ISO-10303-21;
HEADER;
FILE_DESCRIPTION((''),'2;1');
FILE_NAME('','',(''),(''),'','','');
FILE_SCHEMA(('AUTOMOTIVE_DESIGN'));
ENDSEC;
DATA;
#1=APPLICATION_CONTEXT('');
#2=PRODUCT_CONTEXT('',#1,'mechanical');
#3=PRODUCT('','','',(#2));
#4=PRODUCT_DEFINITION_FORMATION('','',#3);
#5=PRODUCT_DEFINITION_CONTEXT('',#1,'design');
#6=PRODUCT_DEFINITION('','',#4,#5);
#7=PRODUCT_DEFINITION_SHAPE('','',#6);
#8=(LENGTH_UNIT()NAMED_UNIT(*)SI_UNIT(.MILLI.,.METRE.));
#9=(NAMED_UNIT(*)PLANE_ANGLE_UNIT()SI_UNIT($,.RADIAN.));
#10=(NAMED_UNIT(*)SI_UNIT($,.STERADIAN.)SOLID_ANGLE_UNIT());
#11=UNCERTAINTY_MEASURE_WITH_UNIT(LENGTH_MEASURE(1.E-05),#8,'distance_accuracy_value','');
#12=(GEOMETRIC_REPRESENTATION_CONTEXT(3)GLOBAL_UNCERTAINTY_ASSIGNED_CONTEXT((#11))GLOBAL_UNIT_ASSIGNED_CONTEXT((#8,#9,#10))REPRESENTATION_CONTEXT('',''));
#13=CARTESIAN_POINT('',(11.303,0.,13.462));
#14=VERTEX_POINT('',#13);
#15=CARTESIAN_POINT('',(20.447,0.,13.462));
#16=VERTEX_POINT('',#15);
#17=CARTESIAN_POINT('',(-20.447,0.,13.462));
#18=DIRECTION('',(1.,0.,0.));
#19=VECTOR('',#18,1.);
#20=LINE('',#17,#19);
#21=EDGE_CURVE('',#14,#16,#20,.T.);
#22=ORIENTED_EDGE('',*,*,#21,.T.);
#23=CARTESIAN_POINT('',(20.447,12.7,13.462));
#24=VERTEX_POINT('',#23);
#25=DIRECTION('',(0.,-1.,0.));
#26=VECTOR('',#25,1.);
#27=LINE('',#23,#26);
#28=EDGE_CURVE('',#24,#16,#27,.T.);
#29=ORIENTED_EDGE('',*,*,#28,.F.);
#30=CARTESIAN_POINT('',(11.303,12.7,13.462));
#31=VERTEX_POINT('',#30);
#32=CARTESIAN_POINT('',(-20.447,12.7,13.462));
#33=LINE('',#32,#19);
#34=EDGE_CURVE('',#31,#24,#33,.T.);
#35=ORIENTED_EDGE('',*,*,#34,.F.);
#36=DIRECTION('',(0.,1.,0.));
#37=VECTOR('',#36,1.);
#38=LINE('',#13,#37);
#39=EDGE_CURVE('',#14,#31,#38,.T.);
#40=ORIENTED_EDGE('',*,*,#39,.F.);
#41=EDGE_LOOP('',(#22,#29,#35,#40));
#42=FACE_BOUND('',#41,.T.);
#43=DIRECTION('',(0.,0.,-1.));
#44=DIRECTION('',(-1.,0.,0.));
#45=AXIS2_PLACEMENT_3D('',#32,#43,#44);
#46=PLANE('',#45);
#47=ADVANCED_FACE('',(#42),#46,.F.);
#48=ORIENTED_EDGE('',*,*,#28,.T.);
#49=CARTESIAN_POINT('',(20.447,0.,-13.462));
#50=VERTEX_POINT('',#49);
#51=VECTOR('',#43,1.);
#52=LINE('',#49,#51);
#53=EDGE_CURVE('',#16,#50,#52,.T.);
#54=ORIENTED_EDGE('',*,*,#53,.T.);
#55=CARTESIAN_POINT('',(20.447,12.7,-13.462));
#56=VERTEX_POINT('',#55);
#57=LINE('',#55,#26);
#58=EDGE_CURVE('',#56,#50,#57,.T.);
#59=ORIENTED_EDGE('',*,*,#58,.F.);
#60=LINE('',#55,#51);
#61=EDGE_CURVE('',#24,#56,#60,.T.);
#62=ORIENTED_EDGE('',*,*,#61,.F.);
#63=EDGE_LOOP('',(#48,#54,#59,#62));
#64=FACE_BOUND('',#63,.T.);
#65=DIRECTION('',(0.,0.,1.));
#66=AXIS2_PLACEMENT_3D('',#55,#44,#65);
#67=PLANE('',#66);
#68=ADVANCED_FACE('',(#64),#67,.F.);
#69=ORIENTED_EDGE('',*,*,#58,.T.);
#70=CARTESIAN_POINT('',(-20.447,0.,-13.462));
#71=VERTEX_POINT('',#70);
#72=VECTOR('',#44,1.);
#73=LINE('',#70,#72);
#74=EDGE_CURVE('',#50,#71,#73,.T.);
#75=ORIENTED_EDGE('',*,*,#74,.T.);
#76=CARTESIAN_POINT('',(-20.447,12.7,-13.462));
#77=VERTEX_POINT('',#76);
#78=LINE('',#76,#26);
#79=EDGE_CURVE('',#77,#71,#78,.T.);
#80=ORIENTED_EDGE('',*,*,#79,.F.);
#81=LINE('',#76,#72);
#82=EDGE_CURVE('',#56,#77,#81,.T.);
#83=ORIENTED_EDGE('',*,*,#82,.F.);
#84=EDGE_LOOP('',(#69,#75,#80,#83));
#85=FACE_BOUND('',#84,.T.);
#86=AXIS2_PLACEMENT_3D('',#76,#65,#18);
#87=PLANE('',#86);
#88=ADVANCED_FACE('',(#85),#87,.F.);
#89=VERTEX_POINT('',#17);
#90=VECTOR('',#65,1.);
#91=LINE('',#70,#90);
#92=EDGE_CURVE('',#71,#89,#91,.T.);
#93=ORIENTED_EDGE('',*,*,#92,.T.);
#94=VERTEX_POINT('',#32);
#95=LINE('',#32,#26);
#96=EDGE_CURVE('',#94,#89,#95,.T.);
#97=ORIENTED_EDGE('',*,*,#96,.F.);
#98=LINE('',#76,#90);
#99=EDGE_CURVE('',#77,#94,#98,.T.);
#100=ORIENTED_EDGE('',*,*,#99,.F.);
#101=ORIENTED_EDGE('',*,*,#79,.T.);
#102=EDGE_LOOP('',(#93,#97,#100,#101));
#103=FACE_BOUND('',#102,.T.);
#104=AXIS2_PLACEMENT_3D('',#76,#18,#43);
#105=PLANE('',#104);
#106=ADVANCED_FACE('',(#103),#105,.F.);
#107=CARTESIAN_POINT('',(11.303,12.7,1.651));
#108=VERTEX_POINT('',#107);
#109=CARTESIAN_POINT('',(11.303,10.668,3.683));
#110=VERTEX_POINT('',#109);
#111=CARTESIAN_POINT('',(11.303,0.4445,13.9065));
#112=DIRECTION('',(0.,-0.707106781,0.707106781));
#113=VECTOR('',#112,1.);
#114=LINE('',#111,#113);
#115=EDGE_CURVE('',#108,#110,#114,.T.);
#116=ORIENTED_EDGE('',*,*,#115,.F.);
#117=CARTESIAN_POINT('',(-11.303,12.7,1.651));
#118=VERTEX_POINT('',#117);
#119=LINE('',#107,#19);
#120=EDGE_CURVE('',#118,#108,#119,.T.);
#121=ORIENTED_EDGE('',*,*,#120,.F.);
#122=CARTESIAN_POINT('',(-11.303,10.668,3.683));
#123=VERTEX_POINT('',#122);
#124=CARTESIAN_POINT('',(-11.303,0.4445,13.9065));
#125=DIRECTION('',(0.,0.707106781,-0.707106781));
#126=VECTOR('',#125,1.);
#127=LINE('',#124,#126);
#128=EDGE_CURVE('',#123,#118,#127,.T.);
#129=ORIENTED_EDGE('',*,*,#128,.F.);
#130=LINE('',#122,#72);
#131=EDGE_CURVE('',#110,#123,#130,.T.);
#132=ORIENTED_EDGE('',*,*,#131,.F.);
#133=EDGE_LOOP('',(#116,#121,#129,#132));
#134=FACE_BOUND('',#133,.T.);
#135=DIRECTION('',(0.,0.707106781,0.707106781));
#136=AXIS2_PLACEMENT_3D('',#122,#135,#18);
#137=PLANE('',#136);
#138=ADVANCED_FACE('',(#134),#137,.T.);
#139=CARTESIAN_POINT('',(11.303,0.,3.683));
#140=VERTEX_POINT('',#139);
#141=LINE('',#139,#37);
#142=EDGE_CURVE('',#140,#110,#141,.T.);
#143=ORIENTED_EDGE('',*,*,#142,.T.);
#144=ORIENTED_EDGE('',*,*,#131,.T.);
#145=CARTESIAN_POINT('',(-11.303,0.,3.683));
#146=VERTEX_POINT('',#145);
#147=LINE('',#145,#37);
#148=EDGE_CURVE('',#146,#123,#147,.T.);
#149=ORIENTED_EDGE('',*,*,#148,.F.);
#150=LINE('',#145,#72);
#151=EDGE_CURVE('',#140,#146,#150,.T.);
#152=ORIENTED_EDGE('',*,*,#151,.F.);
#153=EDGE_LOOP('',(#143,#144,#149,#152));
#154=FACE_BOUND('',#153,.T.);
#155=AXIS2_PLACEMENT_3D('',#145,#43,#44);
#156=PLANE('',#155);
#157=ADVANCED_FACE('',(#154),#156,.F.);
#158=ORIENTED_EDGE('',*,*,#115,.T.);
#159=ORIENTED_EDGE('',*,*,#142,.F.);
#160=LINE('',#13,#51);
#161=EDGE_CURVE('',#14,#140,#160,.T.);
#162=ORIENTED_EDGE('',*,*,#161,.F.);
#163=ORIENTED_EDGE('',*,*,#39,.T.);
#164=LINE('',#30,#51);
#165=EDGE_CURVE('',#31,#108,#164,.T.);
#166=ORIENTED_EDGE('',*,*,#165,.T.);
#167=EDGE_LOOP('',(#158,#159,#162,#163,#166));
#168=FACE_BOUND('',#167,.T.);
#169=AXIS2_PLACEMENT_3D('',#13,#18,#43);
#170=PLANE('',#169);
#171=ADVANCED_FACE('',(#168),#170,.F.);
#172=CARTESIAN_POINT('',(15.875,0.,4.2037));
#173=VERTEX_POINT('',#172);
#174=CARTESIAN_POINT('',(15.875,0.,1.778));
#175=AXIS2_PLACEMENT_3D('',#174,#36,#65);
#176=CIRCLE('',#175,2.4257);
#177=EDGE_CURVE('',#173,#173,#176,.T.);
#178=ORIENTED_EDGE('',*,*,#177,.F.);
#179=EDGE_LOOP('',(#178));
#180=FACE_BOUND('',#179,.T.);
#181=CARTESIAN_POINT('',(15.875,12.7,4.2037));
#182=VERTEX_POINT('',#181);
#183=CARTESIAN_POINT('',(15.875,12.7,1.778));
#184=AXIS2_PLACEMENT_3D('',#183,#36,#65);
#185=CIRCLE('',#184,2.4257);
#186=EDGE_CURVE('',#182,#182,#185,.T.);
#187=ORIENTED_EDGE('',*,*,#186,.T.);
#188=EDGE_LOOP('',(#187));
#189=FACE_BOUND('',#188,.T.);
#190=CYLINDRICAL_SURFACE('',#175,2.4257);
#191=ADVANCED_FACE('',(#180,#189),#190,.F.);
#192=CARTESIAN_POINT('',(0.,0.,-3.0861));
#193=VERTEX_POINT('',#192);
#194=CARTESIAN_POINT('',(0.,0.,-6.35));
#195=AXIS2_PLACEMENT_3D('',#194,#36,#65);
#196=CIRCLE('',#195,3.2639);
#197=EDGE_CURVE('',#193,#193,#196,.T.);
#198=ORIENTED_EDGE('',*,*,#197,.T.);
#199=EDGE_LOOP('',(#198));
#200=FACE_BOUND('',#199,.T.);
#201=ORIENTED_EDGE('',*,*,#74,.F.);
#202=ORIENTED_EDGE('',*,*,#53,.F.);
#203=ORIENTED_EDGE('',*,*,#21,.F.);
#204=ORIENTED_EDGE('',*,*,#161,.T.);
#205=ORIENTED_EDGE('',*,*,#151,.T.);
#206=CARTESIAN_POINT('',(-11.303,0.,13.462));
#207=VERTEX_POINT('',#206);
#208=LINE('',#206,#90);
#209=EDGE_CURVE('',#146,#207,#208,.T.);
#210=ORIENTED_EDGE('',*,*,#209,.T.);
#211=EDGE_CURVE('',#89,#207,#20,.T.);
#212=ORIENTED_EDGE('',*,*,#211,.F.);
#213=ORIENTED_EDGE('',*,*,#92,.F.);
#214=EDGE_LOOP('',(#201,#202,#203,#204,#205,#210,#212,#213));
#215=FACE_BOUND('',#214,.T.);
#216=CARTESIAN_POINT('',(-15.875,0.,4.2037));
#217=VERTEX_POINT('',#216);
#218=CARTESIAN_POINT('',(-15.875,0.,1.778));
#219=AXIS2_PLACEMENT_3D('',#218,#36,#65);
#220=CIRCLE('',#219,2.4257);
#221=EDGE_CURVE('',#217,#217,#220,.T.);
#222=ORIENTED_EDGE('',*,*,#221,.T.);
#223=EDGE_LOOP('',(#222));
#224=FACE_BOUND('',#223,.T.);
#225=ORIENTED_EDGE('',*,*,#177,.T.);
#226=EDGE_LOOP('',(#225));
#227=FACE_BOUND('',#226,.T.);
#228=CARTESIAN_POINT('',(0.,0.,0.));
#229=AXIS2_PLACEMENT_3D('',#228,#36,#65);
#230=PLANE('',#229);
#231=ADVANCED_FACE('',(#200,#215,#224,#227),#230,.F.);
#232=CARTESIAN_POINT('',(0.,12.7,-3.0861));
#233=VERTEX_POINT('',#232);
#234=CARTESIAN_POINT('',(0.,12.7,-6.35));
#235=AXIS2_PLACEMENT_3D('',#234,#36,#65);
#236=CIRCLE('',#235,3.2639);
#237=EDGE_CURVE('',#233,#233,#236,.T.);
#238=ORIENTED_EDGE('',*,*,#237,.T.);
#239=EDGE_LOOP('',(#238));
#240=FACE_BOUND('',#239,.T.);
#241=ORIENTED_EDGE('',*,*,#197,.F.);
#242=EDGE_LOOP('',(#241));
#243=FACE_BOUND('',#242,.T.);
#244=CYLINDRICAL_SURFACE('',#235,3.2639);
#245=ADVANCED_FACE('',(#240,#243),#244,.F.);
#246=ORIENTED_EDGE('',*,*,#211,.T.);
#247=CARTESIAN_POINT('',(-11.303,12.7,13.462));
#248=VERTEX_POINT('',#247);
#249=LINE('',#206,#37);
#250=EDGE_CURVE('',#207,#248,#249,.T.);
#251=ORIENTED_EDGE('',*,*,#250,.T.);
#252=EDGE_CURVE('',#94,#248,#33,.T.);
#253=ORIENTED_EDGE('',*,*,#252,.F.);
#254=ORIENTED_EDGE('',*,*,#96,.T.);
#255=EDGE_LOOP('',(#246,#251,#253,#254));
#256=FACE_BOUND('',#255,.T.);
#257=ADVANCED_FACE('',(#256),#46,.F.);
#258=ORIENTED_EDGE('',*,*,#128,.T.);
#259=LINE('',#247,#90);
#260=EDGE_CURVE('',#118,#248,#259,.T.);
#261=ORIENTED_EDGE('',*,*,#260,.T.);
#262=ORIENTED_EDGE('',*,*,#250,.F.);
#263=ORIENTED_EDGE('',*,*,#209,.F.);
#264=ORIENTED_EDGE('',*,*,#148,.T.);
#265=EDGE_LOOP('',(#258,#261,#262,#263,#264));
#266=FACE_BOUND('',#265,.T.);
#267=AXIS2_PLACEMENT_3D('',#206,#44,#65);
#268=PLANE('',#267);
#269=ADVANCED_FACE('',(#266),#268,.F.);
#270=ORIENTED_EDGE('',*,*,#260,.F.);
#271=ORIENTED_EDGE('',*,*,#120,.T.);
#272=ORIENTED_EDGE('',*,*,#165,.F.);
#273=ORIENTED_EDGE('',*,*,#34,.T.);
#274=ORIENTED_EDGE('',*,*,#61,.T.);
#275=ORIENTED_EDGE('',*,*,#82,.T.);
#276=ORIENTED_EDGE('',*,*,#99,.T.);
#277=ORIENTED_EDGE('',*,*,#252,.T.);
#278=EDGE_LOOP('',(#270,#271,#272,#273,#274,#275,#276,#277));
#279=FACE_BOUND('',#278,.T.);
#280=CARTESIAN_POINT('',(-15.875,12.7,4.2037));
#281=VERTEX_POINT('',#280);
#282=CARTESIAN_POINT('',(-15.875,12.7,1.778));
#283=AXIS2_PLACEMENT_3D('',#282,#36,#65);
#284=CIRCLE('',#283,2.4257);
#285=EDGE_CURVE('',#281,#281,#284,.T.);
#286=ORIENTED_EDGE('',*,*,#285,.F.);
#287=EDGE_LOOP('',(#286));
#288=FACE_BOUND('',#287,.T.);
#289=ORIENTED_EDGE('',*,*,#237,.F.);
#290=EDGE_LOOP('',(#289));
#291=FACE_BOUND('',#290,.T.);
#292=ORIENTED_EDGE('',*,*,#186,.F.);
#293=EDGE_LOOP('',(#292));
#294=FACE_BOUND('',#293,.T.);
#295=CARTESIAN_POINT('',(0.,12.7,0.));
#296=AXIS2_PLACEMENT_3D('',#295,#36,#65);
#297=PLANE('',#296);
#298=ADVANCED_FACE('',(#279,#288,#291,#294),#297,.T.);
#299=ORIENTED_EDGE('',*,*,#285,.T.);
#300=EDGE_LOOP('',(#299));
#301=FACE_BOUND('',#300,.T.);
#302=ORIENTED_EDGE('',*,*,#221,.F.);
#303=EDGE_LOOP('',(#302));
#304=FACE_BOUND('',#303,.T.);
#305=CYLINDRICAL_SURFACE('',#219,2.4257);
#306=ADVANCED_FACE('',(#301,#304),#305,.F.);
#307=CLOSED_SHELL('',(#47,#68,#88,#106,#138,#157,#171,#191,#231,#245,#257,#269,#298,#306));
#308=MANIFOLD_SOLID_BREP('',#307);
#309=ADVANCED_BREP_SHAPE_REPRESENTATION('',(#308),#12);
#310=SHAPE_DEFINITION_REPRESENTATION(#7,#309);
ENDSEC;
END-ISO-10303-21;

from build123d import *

# Parameters (mm, degrees)
CROQUIS2_W                 = 40.894
CROQUIS2_H                 = 26.924
SALIENTE_EXTRUIR1_DEPTH    = 12.7
CROQUIS3_W                 = 22.606
CROQUIS3_H                 = 9.779
CORTAR_EXTRUIR1_DEPTH      = 12.7
CROQUIS6_R                 = 2.4257
CORTAR_EXTRUIR2_DEPTH      = 12.7
TALADRO_ROSCADO_5_16_181_D = 6.5278
CHAFL_N1_SIZE              = 2.032


with BuildPart() as part:
    # Croquis2 → Saliente-Extruir1 (new body)
    with BuildSketch(Plane(origin=(0, 0, 0), x_dir=(1, 0, 0), z_dir=(0, 1, 0))):
        Rectangle(CROQUIS2_W, CROQUIS2_H)
    extrude(amount=SALIENTE_EXTRUIR1_DEPTH)

    # Croquis3 → Cortar-Extruir1 (cut)
    with BuildSketch(Plane(origin=(0, 12.7, 0), x_dir=(1, 0, 0), z_dir=(0, 1, 0))):
        with Locations((0, -8.5725)):
            Rectangle(CROQUIS3_W, CROQUIS3_H)
    extrude(amount=-CORTAR_EXTRUIR1_DEPTH, mode=Mode.SUBTRACT)

    # Croquis6 → Cortar-Extruir2 (cut)
    with BuildSketch(Plane(origin=(0, 12.7, 0), x_dir=(1, 0, 0), z_dir=(0, 1, 0))):
        with Locations(Location((-15.875, -1.778, 0), (0, 0, 270))):
            Circle(CROQUIS6_R)
        with Locations(Location((15.875, -1.778, 0), (0, 0, 270))):
            Circle(CROQUIS6_R)
    extrude(amount=-CORTAR_EXTRUIR2_DEPTH, mode=Mode.SUBTRACT)

    # Taladro roscado 5/16-181 (through all)
    with Locations(Plane(origin=(0, 12.7, 0), x_dir=(1, 0, 0), z_dir=(0, 1, 0))):
        with Locations((0, 6.35)):
            Hole(TALADRO_ROSCADO_5_16_181_D / 2)

    # Chaflán1
    chafl_n1_edges = [part.edges().sort_by_distance(p)[0] for p in [
        (0, 12.7, 3.683),
    ]]
    chamfer(chafl_n1_edges, length=CHAFL_N1_SIZE)


solid = part.part
